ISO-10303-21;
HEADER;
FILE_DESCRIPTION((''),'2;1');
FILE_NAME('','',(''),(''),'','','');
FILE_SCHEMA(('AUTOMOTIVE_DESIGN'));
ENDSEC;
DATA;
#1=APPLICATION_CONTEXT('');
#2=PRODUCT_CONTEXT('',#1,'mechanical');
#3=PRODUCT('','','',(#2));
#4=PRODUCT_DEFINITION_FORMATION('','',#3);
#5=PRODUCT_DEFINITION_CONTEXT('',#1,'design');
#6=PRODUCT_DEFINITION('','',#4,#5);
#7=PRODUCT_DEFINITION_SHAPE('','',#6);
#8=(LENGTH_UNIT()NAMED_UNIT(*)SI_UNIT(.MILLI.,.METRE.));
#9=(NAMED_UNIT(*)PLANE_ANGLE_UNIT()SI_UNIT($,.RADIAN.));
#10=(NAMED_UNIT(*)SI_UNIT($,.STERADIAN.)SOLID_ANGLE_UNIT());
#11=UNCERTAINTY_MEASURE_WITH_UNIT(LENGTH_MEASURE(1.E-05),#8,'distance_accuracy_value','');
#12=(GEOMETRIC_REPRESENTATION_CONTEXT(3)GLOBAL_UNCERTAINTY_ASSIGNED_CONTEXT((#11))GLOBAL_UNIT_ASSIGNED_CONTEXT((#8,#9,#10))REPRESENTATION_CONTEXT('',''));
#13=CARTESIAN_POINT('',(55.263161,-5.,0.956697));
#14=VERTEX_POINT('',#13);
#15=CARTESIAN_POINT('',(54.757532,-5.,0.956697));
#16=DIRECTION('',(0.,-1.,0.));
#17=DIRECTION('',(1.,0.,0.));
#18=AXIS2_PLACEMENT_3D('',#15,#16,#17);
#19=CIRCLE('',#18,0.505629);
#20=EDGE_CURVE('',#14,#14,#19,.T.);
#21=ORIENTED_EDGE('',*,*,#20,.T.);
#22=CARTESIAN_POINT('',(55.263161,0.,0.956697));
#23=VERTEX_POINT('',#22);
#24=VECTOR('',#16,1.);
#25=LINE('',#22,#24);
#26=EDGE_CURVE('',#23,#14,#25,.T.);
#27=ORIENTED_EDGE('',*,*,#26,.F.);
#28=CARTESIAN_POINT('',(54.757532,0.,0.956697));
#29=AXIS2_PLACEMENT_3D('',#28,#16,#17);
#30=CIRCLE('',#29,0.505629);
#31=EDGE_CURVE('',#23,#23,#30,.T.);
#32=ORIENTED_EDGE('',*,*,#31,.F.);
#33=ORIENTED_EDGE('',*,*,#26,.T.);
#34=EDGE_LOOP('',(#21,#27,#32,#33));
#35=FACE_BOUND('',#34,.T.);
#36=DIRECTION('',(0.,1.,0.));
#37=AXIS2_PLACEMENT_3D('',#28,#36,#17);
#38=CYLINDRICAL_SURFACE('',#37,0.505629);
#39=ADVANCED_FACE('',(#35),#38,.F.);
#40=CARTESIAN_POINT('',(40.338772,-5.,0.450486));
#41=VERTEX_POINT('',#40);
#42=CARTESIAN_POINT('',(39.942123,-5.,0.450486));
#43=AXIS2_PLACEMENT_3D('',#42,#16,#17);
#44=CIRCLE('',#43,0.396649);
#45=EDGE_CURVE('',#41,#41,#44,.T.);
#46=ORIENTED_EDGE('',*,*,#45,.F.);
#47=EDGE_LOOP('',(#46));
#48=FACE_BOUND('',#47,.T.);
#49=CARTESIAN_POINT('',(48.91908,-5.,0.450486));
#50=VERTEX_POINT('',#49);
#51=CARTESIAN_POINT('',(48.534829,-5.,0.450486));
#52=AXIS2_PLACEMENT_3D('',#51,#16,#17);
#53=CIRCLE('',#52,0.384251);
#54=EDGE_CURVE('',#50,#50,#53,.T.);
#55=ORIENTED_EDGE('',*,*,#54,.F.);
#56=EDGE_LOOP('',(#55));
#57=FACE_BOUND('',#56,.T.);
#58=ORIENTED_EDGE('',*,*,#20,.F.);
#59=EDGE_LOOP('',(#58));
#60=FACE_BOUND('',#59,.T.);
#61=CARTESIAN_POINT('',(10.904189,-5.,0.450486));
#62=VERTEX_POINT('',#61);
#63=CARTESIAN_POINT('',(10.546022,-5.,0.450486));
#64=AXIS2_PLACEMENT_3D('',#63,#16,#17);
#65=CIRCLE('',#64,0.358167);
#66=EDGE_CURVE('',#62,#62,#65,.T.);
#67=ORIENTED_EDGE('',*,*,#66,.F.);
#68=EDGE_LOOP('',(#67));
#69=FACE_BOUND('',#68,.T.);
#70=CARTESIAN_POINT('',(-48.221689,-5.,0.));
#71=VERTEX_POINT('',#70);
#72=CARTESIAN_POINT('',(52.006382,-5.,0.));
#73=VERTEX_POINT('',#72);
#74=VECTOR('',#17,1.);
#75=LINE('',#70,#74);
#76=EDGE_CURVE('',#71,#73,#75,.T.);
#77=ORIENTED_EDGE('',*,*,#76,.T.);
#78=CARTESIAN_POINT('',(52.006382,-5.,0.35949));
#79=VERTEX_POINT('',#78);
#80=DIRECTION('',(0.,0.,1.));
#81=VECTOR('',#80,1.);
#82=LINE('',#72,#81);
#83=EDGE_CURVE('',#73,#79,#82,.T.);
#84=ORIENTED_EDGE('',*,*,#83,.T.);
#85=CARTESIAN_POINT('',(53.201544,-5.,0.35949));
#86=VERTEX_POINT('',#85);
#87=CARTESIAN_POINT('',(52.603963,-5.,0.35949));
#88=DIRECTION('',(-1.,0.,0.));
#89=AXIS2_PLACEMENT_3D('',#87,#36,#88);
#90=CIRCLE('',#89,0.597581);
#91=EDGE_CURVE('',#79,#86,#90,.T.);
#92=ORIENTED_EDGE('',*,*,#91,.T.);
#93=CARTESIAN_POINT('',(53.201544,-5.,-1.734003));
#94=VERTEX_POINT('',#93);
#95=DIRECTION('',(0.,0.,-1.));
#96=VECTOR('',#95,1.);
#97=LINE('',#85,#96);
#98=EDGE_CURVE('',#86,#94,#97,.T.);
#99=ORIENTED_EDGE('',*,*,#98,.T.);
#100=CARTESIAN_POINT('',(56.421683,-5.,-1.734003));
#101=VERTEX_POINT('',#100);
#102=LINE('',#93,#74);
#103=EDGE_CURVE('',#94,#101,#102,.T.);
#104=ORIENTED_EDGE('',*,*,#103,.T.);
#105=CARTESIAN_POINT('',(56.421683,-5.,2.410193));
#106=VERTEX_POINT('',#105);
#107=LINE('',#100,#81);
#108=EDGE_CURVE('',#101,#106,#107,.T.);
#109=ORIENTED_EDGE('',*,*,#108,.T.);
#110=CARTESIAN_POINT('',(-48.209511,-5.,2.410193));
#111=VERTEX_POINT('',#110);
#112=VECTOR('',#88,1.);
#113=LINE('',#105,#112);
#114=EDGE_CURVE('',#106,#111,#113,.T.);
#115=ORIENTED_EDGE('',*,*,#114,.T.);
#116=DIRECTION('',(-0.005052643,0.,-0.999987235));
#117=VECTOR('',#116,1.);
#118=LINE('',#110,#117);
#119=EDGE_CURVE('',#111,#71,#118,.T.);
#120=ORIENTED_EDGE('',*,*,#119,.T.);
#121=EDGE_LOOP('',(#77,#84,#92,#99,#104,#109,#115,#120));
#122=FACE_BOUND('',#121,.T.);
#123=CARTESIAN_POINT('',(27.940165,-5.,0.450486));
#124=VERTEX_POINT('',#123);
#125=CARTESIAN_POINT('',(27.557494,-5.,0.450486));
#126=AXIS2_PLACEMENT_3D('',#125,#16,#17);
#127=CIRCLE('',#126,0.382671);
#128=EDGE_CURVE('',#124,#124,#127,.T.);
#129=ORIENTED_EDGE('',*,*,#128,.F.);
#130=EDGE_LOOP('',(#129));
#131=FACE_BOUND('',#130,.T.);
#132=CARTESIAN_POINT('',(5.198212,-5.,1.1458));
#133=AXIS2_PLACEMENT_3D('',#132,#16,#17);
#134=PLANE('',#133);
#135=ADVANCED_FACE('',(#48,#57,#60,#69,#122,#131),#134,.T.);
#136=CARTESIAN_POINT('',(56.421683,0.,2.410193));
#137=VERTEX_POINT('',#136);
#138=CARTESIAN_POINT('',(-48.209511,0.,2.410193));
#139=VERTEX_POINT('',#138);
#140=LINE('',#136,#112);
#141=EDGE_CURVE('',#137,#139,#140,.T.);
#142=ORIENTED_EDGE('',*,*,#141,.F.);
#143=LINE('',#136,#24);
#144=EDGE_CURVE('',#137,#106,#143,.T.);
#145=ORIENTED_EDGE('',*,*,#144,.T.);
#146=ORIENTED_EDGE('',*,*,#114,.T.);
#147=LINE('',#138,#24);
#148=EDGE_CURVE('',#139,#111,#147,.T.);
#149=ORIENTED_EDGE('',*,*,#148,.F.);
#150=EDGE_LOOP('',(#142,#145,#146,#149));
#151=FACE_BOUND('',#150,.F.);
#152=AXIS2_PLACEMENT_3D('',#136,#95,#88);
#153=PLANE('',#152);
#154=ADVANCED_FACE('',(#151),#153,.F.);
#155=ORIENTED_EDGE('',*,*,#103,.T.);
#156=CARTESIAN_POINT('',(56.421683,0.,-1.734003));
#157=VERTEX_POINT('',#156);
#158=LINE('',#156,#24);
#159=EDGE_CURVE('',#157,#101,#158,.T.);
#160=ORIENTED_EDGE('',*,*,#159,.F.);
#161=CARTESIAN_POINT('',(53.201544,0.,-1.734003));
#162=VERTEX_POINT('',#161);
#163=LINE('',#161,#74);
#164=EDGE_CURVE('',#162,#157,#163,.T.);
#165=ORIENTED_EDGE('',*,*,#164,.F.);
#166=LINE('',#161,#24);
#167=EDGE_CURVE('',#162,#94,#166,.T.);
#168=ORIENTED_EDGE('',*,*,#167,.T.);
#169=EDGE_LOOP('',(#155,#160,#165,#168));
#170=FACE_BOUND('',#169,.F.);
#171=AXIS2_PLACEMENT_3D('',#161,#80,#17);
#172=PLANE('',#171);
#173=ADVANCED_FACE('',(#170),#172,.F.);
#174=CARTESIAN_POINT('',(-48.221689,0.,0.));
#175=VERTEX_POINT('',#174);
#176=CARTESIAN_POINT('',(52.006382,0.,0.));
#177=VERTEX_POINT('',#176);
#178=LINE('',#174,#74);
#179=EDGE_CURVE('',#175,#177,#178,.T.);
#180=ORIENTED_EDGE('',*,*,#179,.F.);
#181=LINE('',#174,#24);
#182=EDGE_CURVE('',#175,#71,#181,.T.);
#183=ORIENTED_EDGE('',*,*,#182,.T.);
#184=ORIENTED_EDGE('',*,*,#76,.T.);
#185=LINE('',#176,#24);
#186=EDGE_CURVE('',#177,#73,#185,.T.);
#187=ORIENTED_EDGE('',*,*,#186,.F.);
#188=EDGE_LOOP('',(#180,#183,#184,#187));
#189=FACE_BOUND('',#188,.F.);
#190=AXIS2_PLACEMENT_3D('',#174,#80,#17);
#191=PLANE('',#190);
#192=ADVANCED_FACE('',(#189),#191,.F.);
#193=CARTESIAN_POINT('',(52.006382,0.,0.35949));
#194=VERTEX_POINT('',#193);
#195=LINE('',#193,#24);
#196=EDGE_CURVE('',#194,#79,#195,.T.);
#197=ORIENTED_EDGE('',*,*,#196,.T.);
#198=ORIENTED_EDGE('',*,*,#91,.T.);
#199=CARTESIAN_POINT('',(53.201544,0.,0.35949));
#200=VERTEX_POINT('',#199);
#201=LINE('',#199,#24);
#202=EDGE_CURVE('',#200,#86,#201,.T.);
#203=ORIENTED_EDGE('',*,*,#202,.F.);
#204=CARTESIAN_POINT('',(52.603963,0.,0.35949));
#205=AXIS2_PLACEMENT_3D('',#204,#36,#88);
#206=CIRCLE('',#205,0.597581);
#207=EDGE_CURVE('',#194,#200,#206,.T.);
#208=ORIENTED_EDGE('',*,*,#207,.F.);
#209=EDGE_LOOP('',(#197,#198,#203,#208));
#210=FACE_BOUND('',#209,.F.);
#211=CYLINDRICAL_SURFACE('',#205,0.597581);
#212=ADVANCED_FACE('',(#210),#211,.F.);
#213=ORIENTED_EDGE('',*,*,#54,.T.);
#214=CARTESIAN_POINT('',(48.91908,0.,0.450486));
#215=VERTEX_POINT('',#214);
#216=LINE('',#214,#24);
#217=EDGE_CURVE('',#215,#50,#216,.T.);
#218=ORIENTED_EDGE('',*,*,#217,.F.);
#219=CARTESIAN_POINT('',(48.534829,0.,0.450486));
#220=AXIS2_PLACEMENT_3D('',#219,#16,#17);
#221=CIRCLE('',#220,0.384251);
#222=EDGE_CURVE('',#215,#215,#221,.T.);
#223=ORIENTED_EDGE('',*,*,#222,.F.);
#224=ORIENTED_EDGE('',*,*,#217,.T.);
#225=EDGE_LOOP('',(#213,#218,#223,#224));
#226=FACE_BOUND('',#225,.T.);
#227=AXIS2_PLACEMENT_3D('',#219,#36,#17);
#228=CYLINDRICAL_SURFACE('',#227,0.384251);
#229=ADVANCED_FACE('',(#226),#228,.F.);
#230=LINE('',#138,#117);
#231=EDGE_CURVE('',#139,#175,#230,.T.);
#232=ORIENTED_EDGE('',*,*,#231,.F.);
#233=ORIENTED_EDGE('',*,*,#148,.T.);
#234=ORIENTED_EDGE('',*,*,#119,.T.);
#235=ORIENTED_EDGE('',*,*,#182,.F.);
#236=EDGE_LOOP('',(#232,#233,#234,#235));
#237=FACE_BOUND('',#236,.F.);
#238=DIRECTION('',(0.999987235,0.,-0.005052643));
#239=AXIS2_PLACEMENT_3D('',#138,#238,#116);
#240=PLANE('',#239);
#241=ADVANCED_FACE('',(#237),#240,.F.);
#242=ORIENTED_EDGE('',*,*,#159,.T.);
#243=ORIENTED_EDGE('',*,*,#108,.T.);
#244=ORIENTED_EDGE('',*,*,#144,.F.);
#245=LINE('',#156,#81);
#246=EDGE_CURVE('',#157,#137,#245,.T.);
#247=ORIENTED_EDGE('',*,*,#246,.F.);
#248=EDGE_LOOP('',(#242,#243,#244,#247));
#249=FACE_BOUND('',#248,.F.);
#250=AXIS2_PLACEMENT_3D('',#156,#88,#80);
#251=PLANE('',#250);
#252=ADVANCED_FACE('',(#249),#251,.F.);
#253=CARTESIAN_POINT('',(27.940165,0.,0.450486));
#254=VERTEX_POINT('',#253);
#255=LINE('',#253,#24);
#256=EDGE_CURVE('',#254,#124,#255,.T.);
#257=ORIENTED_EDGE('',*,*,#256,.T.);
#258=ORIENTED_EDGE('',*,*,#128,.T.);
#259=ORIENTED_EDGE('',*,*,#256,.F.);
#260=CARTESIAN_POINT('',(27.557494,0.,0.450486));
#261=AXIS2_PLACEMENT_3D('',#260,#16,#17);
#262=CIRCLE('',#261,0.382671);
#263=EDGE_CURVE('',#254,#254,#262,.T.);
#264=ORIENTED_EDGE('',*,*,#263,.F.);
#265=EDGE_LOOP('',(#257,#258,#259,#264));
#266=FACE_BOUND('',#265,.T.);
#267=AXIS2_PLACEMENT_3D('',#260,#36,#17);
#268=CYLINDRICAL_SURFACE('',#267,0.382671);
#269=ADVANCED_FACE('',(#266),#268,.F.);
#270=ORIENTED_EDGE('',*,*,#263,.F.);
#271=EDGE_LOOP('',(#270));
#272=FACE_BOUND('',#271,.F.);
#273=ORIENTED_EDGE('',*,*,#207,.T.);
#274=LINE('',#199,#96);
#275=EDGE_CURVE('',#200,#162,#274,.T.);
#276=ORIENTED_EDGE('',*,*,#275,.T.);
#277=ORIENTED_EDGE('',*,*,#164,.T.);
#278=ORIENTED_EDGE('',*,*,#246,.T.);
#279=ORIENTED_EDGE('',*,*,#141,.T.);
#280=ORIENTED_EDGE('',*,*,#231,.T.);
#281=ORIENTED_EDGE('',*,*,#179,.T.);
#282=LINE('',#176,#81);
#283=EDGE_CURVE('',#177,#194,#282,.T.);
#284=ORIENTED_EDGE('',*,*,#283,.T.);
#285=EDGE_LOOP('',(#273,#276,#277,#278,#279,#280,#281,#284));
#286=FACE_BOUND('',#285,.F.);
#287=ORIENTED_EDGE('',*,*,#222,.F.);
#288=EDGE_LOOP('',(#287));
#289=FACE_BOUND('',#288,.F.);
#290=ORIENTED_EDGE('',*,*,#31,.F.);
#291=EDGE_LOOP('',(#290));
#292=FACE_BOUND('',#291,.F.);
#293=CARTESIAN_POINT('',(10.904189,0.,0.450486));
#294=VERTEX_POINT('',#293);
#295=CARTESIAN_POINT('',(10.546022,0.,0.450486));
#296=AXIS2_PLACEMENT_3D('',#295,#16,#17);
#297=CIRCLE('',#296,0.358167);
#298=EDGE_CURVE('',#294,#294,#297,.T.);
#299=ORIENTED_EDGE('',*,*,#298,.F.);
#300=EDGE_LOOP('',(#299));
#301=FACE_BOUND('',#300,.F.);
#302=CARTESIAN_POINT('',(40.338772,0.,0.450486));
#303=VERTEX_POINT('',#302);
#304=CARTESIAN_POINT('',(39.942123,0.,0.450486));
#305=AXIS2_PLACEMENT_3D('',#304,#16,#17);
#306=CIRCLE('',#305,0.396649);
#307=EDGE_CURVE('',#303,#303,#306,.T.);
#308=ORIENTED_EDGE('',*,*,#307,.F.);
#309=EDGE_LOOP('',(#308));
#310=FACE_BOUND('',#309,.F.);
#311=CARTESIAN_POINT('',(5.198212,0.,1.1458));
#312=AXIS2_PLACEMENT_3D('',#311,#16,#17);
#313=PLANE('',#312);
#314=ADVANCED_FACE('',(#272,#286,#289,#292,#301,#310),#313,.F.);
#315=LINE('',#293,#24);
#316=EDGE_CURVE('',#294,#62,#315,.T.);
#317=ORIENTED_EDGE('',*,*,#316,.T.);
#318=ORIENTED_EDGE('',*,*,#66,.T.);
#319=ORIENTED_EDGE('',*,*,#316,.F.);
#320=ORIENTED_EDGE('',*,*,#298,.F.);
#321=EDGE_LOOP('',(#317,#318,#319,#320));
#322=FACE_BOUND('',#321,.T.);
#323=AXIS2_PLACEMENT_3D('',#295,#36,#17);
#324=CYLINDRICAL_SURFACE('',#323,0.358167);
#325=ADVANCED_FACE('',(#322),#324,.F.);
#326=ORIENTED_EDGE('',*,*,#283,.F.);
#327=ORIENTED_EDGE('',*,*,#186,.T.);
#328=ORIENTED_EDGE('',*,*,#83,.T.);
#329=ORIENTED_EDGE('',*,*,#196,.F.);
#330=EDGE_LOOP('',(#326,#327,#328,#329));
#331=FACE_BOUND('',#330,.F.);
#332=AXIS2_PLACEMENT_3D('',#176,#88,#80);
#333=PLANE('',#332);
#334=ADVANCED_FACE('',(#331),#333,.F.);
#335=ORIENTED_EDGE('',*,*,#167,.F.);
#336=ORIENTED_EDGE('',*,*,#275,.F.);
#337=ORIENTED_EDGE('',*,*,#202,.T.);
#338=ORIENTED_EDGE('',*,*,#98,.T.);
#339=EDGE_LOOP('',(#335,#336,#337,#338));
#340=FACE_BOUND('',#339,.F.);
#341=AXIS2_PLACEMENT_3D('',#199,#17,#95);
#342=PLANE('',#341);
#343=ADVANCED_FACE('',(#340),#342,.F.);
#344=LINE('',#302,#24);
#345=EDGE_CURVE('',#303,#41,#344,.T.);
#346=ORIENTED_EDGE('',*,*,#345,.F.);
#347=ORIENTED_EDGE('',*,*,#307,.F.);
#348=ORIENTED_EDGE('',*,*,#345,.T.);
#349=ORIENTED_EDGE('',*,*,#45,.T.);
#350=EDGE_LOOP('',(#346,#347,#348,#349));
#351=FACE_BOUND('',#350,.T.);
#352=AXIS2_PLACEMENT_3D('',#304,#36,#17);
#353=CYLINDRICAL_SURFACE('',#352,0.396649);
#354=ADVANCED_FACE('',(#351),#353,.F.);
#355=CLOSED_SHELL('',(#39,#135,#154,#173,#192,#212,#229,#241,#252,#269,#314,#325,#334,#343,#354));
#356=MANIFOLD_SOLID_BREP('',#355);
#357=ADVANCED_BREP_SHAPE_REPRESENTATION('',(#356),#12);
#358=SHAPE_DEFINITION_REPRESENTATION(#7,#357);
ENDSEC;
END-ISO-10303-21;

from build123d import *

# Parameters (mm, degrees)
F0_R     = 0.358167
F0_R_2   = 0.382671
F0_R_3   = 0.396649
F0_R_4   = 0.384251
F0_R_5   = 0.505629
F1_DEPTH = 5


with BuildPart() as f1:
    # F0 (on Front) → F1 (new body)
    with BuildSketch(Plane.XZ):
        with BuildLine():
            Line((-48.209511, 2.410193), (-48.221689, 0))
            Line((-48.221689, 0), (52.006382, 0))
            Line((52.006382, 0), (52.006382, 0.35949))
            ThreePointArc((52.006382, 0.35949), (52.603963, 0.957071), (53.201544, 0.35949))
            Line((53.201544, 0.35949), (53.201544, -1.734003))
            Line((53.201544, -1.734003), (56.421683, -1.734003))
            Line((56.421683, -1.734003), (56.421683, 2.410193))
            Line((56.421683, 2.410193), (-48.209511, 2.410193))
        make_face()
        with Locations((10.546022, 0.450486)):
            Circle(F0_R, mode=Mode.SUBTRACT)
        with Locations((27.557494, 0.450486)):
            Circle(F0_R_2, mode=Mode.SUBTRACT)
        with Locations((39.942123, 0.450486)):
            Circle(F0_R_3, mode=Mode.SUBTRACT)
        with Locations((48.534829, 0.450486)):
            Circle(F0_R_4, mode=Mode.SUBTRACT)
        with Locations((54.757532, 0.956697)):
            Circle(F0_R_5, mode=Mode.SUBTRACT)
    extrude(amount=F1_DEPTH)


solid = f1.part
